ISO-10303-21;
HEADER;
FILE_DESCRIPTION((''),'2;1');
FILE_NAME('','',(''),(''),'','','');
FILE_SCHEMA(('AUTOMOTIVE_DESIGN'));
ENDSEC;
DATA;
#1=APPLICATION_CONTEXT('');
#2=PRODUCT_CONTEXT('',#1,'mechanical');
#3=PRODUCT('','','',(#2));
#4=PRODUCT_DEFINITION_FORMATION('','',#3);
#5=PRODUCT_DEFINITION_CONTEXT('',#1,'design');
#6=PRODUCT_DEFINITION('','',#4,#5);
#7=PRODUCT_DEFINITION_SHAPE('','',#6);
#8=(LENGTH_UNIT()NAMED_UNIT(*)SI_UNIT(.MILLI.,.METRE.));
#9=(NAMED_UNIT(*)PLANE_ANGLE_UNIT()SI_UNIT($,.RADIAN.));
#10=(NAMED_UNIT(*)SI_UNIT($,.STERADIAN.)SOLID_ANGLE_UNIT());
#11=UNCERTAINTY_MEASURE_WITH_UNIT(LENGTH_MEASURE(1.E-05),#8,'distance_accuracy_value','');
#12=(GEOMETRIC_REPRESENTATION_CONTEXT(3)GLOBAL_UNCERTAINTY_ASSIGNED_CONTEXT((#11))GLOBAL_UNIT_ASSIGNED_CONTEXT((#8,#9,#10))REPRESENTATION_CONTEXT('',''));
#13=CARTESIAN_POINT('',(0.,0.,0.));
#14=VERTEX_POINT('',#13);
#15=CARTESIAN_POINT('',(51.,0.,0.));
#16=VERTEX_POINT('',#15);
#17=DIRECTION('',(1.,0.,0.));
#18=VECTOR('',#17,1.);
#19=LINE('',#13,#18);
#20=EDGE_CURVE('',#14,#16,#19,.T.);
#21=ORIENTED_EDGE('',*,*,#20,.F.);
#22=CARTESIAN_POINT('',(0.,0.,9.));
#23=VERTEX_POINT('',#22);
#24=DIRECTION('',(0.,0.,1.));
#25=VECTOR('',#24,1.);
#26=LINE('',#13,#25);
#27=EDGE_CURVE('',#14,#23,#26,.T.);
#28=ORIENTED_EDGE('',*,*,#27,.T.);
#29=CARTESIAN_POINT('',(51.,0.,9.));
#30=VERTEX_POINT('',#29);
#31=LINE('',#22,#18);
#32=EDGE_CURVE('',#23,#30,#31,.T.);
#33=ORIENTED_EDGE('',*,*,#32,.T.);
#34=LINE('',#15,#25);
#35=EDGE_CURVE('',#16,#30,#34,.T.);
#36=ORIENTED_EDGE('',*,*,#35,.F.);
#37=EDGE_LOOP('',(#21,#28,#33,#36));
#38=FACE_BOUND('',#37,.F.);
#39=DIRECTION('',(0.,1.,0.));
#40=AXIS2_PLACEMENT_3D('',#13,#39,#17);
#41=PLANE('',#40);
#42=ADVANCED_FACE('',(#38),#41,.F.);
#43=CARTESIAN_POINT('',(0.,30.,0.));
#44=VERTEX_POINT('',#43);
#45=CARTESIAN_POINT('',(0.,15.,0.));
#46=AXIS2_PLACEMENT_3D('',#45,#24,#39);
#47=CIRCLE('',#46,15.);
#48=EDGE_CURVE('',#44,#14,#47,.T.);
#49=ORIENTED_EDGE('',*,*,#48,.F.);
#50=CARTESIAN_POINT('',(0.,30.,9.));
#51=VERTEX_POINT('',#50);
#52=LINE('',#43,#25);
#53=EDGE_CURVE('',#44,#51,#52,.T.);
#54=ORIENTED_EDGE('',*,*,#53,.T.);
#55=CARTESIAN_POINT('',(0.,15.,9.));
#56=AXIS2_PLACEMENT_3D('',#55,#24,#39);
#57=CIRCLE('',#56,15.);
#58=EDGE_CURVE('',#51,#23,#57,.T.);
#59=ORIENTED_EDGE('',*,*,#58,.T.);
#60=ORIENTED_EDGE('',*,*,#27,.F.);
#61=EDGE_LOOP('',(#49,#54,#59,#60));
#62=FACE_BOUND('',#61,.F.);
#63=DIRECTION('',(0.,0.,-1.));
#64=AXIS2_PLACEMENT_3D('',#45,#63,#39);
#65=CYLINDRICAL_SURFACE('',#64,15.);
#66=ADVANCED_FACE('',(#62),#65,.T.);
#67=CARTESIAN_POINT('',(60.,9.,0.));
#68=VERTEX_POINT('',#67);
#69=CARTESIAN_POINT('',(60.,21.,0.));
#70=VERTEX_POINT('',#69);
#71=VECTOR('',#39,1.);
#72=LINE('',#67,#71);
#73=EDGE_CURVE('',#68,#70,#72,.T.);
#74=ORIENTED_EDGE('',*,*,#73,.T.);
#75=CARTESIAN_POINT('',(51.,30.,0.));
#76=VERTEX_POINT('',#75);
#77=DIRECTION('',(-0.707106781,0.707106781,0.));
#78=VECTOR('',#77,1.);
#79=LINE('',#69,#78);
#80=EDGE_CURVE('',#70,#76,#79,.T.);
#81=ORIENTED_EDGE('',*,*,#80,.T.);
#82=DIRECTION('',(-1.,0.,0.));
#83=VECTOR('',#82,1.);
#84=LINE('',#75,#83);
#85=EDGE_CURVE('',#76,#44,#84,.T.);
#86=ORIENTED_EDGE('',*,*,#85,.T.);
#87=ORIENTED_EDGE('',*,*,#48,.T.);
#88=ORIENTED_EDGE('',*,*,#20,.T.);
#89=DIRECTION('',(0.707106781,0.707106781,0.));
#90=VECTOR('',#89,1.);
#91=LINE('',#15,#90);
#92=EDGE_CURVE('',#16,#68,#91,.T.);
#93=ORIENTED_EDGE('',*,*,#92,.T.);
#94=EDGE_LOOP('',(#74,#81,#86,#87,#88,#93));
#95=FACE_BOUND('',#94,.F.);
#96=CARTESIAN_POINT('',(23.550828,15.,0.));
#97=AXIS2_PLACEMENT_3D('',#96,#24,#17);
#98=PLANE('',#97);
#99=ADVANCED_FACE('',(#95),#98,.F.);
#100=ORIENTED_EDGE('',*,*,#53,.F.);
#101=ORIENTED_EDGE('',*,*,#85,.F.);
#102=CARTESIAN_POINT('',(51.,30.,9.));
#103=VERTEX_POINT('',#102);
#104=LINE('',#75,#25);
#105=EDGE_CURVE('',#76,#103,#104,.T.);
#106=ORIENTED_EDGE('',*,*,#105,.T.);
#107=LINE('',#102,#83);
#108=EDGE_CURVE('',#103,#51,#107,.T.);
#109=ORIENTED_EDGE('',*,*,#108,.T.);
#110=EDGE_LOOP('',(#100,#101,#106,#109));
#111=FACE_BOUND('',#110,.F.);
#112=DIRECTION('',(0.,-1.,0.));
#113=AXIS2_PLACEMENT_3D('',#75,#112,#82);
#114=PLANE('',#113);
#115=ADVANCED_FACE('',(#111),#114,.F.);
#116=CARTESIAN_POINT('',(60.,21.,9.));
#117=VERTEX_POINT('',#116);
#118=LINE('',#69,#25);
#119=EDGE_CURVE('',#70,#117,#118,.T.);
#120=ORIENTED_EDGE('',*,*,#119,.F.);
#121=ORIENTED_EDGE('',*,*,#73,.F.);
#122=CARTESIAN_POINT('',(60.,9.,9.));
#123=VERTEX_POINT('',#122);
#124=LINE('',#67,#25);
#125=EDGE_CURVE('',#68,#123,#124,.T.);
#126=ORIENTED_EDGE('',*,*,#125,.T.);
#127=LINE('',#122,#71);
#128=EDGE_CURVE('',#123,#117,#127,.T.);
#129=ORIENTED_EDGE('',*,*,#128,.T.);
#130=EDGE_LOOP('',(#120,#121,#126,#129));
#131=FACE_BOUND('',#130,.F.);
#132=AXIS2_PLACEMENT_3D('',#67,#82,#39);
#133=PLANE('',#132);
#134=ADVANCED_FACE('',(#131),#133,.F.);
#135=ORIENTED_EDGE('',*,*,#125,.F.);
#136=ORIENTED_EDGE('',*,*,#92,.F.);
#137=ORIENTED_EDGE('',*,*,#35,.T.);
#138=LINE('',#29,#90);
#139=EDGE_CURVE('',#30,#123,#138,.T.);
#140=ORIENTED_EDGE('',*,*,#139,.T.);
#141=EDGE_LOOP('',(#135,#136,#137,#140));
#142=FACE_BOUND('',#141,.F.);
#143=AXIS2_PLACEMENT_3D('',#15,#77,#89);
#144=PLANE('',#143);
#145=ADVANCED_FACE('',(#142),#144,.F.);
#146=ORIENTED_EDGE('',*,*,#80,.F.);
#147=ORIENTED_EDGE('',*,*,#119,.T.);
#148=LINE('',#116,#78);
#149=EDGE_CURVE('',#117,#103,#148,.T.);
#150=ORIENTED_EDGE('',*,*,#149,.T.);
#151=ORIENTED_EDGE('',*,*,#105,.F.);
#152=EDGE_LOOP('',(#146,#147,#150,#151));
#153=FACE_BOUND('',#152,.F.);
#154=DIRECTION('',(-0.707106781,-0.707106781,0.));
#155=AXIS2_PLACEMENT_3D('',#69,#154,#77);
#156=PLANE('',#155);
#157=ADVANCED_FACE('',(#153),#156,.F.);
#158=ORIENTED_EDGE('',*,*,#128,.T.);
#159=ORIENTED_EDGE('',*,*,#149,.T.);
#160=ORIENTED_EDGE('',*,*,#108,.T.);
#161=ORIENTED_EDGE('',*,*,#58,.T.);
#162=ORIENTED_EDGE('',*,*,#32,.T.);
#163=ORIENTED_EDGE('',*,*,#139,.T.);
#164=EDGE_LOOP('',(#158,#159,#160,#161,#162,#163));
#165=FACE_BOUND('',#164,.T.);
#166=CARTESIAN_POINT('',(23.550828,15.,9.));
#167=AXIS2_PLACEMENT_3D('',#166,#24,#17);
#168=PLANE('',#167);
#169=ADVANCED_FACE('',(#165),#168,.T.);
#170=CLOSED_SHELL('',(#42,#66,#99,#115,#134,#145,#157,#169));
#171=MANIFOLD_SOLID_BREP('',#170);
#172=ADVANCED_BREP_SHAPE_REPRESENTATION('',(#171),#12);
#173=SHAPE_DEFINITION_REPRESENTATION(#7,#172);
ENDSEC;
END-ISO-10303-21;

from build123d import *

# Parameters (mm, degrees)
F1_DEPTH = 9


with BuildPart() as f1:
    # F0 (on Top) → F1 (new body)
    with BuildSketch(Plane.XY):
        with BuildLine():
            ThreePointArc((0, 30), (-15, 15), (0, 0))
            Line((0, 0), (51, 0))
            Line((51, 0), (60, 9))
            Line((60, 9), (60, 21))
            Line((60, 21), (51, 30))
            Line((51, 30), (0, 30))
        make_face()
    extrude(amount=F1_DEPTH)


solid = f1.part
